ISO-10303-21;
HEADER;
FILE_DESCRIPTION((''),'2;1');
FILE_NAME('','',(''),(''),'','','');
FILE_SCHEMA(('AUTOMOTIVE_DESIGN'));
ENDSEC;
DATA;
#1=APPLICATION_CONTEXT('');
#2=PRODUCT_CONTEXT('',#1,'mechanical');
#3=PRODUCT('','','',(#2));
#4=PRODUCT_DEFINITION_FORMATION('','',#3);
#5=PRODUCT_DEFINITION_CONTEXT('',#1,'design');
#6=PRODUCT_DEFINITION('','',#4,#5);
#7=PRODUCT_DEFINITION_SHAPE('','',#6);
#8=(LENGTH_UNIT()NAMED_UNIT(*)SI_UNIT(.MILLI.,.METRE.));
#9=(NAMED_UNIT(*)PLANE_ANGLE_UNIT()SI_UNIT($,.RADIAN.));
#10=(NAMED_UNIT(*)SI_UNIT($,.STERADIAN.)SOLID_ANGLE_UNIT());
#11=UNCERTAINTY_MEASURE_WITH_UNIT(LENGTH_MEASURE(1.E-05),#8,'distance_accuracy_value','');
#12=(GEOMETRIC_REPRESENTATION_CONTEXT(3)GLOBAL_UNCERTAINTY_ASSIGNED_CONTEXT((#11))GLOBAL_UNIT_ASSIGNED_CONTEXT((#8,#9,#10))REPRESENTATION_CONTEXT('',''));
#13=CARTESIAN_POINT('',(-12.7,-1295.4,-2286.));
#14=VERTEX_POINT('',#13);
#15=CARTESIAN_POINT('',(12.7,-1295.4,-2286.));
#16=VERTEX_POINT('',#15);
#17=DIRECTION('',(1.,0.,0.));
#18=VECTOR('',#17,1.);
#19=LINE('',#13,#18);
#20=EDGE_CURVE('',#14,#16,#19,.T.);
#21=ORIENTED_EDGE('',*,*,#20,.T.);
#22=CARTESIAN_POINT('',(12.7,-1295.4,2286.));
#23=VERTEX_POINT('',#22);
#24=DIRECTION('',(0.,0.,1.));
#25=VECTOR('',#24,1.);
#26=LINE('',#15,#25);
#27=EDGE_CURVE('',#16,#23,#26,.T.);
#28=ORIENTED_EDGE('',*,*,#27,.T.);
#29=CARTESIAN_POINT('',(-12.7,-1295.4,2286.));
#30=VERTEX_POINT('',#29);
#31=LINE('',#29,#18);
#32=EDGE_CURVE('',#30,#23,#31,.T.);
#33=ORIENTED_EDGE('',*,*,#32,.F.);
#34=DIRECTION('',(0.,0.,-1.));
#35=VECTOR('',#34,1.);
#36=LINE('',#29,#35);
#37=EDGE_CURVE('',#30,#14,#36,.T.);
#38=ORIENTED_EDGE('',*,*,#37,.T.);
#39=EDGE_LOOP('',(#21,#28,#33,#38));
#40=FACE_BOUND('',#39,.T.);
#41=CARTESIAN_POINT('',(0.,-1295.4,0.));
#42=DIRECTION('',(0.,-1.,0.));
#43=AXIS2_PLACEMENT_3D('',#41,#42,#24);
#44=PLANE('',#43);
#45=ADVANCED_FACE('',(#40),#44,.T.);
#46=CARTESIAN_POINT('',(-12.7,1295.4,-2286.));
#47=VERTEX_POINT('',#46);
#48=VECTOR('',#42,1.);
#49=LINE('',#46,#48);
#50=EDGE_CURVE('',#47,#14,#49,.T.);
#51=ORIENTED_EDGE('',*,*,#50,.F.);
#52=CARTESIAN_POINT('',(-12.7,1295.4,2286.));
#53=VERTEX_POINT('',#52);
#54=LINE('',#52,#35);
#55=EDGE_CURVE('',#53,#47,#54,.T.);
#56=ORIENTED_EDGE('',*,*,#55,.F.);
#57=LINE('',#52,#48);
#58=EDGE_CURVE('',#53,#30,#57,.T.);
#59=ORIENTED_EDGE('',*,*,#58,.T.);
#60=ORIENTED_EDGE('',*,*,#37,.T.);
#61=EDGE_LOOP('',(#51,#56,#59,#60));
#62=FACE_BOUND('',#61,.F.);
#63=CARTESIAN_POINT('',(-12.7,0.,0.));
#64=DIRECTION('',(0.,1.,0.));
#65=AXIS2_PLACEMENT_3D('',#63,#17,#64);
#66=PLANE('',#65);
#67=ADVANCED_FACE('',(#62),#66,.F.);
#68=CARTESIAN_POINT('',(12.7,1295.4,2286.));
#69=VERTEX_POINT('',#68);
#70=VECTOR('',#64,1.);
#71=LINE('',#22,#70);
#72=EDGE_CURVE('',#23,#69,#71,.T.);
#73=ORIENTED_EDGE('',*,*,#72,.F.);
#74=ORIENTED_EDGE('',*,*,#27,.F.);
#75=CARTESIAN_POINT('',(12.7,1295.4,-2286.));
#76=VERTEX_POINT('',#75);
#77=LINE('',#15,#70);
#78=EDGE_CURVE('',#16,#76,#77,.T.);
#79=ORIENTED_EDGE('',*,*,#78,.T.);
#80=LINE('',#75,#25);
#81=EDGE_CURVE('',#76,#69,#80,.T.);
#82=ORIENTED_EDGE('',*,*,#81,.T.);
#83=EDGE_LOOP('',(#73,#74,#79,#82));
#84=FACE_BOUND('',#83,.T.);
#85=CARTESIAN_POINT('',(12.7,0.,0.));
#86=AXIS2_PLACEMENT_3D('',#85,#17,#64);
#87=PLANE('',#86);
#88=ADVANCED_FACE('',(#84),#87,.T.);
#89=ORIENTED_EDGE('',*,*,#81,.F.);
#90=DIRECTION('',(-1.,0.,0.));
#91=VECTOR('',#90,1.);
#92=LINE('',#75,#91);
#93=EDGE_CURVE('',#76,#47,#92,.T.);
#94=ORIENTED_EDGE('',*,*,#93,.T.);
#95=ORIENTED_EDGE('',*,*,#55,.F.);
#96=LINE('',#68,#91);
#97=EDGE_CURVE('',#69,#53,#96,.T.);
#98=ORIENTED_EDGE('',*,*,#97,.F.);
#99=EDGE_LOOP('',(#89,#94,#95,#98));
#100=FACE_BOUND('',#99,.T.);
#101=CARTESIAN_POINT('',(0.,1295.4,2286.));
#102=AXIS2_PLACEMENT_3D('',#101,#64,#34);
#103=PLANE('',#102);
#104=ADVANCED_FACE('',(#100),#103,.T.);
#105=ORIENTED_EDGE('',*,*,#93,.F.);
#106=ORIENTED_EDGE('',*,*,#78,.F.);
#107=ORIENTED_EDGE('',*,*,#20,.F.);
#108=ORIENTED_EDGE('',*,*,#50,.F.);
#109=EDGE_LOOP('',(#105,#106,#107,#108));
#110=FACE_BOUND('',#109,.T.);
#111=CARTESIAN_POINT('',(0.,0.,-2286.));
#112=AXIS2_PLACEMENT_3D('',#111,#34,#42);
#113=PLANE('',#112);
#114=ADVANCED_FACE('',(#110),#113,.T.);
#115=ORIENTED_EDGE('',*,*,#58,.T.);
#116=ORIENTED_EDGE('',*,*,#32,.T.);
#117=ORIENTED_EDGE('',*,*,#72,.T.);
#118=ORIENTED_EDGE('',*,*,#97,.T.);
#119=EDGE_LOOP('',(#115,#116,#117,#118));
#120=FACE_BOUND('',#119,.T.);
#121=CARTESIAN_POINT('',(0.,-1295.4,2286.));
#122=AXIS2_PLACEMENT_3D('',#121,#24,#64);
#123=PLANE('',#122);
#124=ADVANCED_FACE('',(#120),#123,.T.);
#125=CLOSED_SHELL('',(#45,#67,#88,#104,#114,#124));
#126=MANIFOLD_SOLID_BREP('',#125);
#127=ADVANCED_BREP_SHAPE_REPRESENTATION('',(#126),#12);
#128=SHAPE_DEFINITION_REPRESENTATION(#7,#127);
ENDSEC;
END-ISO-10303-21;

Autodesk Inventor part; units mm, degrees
ref_plane "YZ Plane" through (0, 0, 0) normal (1, 0, 0) x (0, 1, 0)
ref_plane "XZ Plane" through (0, 0, 0) normal (0, 1, 0) x (-1, 0, 0)
ref_plane "XY Plane" through (0, 0, 0) normal (0, 0, 1) x (1, 0, 0)
sketch "Sketch1" plane through (0, 0, 0) normal (1, 0, 0) x (0, 1, 0)
  line L0 (-1295.4, 2286) -> (1295.4, 2286)
  line L1 (1295.4, 2286) -> (1295.4, -2286)
  line L2 (1295.4, -2286) -> (-1295.4, -2286)
  line L3 (-1295.4, -2286) -> (-1295.4, 2286)
  line L4 (0, 3200.4) -> (0, -3200.4) projected
  line L5 (-1813.56, 0) -> (1813.56, 0) projected
  line L6 (-1813.56, 0) -> (1813.56, 0) projected
  line L7 (0, -3200.4) -> (0, 3200.4) projected
  point P0 (0, 0)
  dimension "d0" = 2590.8
  dimension "d1" = 4572
extrude "Extrusion1" add sketch "Sketch1" along normal mid plane 25.4
properties part number "EastWall"
